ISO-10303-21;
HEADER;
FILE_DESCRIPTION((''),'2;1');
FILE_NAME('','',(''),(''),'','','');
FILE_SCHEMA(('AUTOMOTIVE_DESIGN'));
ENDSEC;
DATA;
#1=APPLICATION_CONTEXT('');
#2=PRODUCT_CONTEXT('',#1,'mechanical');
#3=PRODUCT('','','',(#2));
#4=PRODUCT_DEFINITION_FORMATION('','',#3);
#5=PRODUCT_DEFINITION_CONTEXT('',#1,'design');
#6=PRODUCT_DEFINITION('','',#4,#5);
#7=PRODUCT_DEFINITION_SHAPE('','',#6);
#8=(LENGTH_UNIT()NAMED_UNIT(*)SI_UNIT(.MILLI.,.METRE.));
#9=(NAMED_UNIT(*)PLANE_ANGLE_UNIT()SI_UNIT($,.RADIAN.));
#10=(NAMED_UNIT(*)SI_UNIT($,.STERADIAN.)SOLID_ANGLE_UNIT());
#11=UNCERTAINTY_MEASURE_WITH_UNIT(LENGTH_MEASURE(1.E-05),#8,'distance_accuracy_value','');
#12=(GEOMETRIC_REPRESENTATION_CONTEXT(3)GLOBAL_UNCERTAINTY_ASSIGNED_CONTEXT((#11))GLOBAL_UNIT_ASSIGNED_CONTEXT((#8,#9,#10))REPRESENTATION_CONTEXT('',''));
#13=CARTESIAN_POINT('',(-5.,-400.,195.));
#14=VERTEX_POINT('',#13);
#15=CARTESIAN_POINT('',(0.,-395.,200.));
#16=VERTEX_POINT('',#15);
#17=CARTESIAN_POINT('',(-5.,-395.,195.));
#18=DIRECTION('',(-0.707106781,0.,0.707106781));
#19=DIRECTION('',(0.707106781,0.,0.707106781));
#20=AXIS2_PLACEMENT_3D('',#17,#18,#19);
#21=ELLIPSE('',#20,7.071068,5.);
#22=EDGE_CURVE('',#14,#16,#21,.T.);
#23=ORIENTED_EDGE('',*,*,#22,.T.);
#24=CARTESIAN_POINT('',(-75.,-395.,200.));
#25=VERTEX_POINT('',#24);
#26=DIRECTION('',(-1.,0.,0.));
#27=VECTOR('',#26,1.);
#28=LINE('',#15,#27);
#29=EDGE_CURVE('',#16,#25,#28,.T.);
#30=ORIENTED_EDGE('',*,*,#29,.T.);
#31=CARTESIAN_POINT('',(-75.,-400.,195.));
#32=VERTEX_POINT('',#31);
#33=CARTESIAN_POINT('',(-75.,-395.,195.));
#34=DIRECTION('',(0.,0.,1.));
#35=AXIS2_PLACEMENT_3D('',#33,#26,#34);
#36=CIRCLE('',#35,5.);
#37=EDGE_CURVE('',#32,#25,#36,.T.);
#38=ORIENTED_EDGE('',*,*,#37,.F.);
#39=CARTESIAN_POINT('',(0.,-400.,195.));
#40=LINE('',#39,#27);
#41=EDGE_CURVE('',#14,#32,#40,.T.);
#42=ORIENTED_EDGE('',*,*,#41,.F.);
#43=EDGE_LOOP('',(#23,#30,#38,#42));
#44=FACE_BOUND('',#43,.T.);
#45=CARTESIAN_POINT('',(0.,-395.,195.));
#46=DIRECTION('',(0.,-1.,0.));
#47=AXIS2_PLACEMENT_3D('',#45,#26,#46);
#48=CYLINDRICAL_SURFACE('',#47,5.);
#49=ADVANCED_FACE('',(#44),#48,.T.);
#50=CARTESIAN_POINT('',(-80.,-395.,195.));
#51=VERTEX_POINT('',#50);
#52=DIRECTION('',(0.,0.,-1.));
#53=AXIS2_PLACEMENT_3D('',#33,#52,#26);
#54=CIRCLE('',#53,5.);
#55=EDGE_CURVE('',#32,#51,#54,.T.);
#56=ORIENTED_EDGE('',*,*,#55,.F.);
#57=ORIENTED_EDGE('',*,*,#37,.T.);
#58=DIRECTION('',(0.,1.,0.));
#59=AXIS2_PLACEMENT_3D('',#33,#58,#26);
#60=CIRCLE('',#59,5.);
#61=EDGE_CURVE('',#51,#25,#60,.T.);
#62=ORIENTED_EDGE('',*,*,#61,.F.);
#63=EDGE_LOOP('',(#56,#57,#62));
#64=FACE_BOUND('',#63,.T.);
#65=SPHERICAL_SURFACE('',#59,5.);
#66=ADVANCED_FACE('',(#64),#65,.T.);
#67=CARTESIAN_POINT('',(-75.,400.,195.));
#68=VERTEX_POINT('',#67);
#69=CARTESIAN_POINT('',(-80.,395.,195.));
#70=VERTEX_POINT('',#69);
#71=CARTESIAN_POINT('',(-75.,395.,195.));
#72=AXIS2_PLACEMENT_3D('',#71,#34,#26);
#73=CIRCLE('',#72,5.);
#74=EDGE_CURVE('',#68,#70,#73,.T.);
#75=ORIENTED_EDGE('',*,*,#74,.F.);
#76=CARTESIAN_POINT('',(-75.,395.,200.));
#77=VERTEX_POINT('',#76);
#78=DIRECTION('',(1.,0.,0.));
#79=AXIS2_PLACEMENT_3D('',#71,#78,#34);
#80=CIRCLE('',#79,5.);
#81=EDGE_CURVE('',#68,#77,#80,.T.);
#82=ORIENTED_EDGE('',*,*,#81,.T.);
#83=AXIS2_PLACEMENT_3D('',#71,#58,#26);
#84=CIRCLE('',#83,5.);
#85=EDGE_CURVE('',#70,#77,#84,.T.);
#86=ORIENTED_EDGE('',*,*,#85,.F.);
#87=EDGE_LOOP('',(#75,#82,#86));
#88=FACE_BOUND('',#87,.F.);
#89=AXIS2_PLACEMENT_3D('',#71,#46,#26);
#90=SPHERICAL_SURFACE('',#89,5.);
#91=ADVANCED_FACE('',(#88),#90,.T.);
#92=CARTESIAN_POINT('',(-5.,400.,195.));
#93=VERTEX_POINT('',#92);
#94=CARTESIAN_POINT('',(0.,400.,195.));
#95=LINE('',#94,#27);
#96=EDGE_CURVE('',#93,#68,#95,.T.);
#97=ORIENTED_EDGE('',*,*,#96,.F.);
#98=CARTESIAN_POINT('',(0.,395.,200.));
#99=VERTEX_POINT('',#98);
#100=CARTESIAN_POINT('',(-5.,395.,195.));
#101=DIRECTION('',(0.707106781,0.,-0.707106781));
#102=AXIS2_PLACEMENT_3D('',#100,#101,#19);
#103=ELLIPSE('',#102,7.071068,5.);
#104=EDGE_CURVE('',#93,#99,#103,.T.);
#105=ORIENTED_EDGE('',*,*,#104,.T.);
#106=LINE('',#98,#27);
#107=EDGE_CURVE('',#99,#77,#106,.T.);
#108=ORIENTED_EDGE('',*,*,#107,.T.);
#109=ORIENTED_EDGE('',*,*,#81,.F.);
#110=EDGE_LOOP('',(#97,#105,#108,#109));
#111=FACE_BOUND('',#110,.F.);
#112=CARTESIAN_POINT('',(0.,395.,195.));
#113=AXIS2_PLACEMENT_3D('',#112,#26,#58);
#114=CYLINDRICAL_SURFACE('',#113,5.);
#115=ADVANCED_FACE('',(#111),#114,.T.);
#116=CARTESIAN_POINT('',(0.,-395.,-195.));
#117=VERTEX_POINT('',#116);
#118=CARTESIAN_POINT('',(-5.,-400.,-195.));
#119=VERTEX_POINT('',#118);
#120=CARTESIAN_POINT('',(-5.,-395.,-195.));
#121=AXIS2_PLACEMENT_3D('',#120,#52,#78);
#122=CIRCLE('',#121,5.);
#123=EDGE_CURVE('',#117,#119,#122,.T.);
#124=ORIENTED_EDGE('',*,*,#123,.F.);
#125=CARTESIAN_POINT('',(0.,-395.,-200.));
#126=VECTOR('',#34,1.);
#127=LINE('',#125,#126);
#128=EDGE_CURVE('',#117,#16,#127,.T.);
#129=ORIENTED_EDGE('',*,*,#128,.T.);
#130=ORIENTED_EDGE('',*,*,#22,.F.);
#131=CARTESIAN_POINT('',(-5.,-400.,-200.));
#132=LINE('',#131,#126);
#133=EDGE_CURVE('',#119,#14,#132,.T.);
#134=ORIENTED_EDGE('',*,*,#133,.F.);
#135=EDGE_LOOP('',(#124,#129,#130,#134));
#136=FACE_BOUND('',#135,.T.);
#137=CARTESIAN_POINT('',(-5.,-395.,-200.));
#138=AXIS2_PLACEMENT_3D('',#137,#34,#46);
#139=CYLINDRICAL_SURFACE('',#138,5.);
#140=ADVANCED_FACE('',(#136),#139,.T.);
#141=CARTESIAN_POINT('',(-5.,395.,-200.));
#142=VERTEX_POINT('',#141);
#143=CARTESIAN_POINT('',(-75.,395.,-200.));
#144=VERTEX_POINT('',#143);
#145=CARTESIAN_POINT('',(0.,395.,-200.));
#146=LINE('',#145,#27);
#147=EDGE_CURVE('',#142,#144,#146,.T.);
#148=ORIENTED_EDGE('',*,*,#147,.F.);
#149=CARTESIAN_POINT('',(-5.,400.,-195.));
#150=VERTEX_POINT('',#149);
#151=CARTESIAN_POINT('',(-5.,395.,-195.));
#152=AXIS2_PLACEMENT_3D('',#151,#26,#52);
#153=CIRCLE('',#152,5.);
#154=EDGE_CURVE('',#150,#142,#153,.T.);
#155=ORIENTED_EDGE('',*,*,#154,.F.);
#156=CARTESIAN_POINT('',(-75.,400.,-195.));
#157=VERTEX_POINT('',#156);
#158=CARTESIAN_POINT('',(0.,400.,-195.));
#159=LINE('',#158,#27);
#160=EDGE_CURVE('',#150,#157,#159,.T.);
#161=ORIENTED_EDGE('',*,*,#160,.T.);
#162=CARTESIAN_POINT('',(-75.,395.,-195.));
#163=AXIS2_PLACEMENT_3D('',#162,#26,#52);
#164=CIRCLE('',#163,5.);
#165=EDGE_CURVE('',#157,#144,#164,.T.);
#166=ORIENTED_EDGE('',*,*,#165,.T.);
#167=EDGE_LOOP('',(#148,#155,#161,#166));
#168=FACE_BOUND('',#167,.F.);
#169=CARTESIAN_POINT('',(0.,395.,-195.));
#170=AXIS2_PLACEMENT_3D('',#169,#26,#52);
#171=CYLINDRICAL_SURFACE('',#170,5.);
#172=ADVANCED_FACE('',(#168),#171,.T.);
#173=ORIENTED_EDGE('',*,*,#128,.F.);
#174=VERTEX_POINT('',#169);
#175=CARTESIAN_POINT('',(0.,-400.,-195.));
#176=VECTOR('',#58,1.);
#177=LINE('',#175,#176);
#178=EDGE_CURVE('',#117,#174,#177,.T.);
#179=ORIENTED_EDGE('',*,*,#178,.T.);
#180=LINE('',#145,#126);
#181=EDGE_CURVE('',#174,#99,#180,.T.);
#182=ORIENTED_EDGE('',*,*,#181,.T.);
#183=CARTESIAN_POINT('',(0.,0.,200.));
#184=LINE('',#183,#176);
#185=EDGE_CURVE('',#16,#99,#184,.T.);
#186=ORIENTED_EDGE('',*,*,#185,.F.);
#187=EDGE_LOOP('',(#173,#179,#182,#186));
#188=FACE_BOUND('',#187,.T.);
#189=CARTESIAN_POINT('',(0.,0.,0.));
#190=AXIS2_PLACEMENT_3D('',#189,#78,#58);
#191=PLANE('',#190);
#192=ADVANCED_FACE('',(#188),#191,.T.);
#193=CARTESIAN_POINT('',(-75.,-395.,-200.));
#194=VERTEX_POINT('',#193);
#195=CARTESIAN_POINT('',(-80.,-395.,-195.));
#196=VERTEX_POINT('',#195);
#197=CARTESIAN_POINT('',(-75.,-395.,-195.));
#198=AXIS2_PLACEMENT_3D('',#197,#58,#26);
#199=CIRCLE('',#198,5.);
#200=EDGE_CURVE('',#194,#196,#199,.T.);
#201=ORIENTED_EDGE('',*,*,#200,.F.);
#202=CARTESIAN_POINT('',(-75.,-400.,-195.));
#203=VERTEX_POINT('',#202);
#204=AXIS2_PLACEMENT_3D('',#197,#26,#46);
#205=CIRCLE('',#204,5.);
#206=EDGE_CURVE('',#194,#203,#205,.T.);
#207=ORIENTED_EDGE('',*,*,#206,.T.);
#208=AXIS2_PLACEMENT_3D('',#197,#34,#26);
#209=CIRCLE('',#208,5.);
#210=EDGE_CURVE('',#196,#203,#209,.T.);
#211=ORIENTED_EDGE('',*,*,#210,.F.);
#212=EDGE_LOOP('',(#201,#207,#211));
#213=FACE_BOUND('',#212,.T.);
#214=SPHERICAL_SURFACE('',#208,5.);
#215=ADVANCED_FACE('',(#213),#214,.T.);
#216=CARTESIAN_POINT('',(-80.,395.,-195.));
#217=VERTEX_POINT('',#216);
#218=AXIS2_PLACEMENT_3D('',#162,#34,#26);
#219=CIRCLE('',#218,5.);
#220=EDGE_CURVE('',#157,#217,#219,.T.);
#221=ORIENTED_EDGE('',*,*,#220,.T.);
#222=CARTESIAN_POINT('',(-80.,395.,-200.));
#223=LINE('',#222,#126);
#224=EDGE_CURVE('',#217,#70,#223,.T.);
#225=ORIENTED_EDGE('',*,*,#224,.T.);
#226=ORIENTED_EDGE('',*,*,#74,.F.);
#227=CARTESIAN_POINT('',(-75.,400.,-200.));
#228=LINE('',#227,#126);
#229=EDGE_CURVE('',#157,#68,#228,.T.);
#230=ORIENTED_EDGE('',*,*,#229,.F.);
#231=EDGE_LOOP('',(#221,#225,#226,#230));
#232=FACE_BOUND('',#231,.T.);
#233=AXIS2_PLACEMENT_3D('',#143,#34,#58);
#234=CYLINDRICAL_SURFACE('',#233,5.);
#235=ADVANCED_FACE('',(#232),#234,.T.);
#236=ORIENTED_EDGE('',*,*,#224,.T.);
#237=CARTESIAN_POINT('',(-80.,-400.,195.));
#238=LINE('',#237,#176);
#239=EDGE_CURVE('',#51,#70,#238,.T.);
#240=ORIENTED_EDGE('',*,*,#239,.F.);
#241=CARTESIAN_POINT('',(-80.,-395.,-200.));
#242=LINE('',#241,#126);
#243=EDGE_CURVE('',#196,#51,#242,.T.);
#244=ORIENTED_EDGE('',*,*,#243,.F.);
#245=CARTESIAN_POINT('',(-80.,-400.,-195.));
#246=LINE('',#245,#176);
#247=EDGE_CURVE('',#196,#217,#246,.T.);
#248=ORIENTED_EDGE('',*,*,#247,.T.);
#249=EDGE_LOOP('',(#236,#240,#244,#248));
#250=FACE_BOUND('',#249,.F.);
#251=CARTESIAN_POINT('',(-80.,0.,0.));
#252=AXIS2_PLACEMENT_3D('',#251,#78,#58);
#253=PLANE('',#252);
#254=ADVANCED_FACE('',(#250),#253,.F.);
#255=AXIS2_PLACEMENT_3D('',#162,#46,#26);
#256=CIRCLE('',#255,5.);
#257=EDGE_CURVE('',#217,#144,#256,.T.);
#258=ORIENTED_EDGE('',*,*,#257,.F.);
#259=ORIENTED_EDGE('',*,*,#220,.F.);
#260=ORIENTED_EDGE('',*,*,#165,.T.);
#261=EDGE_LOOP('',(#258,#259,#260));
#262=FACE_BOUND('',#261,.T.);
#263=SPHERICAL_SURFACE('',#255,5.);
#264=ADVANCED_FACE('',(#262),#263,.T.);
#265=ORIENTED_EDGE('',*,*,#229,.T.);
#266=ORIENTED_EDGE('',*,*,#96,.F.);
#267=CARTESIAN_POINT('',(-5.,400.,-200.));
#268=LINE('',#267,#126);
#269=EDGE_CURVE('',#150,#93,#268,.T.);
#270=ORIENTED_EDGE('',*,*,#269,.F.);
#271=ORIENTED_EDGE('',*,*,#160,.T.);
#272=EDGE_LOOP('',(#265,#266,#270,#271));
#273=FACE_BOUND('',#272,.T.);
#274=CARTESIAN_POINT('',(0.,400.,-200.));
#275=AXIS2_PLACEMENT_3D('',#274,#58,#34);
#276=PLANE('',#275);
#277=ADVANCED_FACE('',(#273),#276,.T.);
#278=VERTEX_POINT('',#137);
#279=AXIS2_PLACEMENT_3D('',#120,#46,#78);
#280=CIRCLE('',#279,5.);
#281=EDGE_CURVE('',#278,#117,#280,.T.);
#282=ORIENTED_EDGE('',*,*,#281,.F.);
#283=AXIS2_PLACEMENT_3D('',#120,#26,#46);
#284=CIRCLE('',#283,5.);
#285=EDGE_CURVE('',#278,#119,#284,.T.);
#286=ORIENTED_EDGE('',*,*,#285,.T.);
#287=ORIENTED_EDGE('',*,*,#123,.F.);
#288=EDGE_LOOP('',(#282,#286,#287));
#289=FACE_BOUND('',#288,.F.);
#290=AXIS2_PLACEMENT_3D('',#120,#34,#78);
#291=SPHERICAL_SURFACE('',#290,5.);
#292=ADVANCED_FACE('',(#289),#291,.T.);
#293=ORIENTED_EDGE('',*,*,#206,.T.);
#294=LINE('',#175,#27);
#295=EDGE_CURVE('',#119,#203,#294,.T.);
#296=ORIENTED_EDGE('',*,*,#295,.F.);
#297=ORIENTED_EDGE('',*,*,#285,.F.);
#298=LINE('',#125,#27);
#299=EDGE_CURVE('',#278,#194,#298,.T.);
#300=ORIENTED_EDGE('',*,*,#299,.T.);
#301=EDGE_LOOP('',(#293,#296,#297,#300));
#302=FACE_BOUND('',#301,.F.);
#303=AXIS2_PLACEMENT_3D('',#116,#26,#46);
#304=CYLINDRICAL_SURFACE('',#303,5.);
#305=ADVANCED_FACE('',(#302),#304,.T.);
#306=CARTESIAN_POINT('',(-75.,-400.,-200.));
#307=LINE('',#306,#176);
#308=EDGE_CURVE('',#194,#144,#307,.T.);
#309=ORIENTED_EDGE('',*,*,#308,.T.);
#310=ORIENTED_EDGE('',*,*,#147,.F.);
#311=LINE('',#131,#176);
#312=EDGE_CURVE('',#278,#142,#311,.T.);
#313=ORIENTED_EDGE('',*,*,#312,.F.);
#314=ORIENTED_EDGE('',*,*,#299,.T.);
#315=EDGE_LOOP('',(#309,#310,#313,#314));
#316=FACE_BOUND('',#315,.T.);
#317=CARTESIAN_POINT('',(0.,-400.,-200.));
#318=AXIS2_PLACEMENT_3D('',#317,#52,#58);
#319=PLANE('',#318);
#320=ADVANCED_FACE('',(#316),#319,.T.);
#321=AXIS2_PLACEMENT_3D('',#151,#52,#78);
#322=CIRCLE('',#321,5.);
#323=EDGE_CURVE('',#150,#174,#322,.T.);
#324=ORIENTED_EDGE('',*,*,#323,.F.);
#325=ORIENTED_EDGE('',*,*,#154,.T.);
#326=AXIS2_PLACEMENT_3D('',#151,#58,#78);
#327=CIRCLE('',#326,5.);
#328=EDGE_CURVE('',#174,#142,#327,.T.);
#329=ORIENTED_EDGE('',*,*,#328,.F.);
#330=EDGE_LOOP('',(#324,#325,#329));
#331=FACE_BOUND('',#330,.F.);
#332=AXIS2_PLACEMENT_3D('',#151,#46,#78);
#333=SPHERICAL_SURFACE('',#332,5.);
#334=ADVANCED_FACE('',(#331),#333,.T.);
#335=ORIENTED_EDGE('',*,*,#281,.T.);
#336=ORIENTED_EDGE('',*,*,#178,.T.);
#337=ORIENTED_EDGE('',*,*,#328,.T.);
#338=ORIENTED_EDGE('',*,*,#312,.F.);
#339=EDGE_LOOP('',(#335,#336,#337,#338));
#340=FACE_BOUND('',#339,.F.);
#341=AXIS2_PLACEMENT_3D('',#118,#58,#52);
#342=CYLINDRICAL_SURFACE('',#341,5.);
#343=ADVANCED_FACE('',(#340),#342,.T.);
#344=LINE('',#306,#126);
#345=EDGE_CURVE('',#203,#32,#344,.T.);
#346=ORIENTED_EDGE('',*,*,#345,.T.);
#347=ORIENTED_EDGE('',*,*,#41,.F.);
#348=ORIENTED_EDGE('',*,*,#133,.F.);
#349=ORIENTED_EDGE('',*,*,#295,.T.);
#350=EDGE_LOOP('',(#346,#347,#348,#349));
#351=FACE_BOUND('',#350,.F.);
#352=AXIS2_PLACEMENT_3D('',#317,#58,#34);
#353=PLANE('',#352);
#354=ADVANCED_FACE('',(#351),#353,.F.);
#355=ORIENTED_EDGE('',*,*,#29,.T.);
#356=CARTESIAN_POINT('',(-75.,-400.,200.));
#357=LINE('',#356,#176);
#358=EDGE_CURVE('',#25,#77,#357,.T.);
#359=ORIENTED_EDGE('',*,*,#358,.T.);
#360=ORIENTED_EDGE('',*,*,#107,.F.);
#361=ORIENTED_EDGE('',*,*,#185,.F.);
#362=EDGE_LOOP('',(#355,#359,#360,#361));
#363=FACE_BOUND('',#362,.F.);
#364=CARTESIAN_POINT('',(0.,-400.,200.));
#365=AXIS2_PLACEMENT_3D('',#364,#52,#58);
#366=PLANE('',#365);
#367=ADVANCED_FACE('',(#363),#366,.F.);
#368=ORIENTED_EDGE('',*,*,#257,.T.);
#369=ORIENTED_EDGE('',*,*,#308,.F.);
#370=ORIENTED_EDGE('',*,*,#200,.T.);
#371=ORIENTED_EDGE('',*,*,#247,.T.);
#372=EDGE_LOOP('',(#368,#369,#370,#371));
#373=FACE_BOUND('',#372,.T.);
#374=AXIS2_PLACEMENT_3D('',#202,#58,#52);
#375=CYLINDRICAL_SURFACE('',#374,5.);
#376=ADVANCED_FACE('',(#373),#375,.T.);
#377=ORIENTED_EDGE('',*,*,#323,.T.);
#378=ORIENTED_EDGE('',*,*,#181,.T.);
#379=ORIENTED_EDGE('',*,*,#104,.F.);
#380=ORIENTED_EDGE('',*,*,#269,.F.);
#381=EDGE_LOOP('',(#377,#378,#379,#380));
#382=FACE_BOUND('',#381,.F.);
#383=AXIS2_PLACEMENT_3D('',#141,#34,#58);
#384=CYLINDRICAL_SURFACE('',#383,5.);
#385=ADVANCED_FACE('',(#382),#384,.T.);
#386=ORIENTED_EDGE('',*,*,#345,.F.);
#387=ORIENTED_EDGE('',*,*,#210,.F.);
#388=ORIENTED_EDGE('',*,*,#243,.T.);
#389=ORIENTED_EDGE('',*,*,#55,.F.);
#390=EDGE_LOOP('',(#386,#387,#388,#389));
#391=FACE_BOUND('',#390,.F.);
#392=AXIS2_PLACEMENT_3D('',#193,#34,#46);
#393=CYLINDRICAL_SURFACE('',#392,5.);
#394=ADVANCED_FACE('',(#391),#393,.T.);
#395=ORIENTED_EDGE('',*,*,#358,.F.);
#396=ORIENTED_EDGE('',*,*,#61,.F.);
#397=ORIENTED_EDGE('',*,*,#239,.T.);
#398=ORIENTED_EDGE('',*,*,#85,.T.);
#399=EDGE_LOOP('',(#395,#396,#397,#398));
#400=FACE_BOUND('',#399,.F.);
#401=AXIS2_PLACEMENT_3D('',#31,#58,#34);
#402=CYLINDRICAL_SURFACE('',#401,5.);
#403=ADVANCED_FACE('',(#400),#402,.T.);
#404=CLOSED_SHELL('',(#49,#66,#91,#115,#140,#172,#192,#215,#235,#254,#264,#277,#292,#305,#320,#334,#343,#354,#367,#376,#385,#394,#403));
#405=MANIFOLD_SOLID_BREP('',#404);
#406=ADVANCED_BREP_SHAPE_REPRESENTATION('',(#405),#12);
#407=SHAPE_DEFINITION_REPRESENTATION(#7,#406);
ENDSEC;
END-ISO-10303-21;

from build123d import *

# Parameters (mm, degrees)
F0_W     = 800
F0_H     = 400
F1_DEPTH = 80
F2_R     = 5


with BuildPart() as f1:
    # F0 (on Right) → F1 (new body)
    with BuildSketch(Plane.YZ):
        Rectangle(F0_W, F0_H)
    extrude(amount=-F1_DEPTH)

    # F2
    f2_edges = [f1.edges().sort_by_distance(p)[0] for p in [
        (-80, 0, 200),
        (-80, -400, 0),
        (0, -400, 0),
        (0, 0, -200),
        (-80, 0, -200),
        (-80, 400, 0),
        (0, 400, 0),
        (-40, 400, 200),
        (-40, 400, -200),
        (-40, -400, 200),
        (-40, -400, -200),
    ]]
    fillet(f2_edges, radius=F2_R)


solid = f1.part
